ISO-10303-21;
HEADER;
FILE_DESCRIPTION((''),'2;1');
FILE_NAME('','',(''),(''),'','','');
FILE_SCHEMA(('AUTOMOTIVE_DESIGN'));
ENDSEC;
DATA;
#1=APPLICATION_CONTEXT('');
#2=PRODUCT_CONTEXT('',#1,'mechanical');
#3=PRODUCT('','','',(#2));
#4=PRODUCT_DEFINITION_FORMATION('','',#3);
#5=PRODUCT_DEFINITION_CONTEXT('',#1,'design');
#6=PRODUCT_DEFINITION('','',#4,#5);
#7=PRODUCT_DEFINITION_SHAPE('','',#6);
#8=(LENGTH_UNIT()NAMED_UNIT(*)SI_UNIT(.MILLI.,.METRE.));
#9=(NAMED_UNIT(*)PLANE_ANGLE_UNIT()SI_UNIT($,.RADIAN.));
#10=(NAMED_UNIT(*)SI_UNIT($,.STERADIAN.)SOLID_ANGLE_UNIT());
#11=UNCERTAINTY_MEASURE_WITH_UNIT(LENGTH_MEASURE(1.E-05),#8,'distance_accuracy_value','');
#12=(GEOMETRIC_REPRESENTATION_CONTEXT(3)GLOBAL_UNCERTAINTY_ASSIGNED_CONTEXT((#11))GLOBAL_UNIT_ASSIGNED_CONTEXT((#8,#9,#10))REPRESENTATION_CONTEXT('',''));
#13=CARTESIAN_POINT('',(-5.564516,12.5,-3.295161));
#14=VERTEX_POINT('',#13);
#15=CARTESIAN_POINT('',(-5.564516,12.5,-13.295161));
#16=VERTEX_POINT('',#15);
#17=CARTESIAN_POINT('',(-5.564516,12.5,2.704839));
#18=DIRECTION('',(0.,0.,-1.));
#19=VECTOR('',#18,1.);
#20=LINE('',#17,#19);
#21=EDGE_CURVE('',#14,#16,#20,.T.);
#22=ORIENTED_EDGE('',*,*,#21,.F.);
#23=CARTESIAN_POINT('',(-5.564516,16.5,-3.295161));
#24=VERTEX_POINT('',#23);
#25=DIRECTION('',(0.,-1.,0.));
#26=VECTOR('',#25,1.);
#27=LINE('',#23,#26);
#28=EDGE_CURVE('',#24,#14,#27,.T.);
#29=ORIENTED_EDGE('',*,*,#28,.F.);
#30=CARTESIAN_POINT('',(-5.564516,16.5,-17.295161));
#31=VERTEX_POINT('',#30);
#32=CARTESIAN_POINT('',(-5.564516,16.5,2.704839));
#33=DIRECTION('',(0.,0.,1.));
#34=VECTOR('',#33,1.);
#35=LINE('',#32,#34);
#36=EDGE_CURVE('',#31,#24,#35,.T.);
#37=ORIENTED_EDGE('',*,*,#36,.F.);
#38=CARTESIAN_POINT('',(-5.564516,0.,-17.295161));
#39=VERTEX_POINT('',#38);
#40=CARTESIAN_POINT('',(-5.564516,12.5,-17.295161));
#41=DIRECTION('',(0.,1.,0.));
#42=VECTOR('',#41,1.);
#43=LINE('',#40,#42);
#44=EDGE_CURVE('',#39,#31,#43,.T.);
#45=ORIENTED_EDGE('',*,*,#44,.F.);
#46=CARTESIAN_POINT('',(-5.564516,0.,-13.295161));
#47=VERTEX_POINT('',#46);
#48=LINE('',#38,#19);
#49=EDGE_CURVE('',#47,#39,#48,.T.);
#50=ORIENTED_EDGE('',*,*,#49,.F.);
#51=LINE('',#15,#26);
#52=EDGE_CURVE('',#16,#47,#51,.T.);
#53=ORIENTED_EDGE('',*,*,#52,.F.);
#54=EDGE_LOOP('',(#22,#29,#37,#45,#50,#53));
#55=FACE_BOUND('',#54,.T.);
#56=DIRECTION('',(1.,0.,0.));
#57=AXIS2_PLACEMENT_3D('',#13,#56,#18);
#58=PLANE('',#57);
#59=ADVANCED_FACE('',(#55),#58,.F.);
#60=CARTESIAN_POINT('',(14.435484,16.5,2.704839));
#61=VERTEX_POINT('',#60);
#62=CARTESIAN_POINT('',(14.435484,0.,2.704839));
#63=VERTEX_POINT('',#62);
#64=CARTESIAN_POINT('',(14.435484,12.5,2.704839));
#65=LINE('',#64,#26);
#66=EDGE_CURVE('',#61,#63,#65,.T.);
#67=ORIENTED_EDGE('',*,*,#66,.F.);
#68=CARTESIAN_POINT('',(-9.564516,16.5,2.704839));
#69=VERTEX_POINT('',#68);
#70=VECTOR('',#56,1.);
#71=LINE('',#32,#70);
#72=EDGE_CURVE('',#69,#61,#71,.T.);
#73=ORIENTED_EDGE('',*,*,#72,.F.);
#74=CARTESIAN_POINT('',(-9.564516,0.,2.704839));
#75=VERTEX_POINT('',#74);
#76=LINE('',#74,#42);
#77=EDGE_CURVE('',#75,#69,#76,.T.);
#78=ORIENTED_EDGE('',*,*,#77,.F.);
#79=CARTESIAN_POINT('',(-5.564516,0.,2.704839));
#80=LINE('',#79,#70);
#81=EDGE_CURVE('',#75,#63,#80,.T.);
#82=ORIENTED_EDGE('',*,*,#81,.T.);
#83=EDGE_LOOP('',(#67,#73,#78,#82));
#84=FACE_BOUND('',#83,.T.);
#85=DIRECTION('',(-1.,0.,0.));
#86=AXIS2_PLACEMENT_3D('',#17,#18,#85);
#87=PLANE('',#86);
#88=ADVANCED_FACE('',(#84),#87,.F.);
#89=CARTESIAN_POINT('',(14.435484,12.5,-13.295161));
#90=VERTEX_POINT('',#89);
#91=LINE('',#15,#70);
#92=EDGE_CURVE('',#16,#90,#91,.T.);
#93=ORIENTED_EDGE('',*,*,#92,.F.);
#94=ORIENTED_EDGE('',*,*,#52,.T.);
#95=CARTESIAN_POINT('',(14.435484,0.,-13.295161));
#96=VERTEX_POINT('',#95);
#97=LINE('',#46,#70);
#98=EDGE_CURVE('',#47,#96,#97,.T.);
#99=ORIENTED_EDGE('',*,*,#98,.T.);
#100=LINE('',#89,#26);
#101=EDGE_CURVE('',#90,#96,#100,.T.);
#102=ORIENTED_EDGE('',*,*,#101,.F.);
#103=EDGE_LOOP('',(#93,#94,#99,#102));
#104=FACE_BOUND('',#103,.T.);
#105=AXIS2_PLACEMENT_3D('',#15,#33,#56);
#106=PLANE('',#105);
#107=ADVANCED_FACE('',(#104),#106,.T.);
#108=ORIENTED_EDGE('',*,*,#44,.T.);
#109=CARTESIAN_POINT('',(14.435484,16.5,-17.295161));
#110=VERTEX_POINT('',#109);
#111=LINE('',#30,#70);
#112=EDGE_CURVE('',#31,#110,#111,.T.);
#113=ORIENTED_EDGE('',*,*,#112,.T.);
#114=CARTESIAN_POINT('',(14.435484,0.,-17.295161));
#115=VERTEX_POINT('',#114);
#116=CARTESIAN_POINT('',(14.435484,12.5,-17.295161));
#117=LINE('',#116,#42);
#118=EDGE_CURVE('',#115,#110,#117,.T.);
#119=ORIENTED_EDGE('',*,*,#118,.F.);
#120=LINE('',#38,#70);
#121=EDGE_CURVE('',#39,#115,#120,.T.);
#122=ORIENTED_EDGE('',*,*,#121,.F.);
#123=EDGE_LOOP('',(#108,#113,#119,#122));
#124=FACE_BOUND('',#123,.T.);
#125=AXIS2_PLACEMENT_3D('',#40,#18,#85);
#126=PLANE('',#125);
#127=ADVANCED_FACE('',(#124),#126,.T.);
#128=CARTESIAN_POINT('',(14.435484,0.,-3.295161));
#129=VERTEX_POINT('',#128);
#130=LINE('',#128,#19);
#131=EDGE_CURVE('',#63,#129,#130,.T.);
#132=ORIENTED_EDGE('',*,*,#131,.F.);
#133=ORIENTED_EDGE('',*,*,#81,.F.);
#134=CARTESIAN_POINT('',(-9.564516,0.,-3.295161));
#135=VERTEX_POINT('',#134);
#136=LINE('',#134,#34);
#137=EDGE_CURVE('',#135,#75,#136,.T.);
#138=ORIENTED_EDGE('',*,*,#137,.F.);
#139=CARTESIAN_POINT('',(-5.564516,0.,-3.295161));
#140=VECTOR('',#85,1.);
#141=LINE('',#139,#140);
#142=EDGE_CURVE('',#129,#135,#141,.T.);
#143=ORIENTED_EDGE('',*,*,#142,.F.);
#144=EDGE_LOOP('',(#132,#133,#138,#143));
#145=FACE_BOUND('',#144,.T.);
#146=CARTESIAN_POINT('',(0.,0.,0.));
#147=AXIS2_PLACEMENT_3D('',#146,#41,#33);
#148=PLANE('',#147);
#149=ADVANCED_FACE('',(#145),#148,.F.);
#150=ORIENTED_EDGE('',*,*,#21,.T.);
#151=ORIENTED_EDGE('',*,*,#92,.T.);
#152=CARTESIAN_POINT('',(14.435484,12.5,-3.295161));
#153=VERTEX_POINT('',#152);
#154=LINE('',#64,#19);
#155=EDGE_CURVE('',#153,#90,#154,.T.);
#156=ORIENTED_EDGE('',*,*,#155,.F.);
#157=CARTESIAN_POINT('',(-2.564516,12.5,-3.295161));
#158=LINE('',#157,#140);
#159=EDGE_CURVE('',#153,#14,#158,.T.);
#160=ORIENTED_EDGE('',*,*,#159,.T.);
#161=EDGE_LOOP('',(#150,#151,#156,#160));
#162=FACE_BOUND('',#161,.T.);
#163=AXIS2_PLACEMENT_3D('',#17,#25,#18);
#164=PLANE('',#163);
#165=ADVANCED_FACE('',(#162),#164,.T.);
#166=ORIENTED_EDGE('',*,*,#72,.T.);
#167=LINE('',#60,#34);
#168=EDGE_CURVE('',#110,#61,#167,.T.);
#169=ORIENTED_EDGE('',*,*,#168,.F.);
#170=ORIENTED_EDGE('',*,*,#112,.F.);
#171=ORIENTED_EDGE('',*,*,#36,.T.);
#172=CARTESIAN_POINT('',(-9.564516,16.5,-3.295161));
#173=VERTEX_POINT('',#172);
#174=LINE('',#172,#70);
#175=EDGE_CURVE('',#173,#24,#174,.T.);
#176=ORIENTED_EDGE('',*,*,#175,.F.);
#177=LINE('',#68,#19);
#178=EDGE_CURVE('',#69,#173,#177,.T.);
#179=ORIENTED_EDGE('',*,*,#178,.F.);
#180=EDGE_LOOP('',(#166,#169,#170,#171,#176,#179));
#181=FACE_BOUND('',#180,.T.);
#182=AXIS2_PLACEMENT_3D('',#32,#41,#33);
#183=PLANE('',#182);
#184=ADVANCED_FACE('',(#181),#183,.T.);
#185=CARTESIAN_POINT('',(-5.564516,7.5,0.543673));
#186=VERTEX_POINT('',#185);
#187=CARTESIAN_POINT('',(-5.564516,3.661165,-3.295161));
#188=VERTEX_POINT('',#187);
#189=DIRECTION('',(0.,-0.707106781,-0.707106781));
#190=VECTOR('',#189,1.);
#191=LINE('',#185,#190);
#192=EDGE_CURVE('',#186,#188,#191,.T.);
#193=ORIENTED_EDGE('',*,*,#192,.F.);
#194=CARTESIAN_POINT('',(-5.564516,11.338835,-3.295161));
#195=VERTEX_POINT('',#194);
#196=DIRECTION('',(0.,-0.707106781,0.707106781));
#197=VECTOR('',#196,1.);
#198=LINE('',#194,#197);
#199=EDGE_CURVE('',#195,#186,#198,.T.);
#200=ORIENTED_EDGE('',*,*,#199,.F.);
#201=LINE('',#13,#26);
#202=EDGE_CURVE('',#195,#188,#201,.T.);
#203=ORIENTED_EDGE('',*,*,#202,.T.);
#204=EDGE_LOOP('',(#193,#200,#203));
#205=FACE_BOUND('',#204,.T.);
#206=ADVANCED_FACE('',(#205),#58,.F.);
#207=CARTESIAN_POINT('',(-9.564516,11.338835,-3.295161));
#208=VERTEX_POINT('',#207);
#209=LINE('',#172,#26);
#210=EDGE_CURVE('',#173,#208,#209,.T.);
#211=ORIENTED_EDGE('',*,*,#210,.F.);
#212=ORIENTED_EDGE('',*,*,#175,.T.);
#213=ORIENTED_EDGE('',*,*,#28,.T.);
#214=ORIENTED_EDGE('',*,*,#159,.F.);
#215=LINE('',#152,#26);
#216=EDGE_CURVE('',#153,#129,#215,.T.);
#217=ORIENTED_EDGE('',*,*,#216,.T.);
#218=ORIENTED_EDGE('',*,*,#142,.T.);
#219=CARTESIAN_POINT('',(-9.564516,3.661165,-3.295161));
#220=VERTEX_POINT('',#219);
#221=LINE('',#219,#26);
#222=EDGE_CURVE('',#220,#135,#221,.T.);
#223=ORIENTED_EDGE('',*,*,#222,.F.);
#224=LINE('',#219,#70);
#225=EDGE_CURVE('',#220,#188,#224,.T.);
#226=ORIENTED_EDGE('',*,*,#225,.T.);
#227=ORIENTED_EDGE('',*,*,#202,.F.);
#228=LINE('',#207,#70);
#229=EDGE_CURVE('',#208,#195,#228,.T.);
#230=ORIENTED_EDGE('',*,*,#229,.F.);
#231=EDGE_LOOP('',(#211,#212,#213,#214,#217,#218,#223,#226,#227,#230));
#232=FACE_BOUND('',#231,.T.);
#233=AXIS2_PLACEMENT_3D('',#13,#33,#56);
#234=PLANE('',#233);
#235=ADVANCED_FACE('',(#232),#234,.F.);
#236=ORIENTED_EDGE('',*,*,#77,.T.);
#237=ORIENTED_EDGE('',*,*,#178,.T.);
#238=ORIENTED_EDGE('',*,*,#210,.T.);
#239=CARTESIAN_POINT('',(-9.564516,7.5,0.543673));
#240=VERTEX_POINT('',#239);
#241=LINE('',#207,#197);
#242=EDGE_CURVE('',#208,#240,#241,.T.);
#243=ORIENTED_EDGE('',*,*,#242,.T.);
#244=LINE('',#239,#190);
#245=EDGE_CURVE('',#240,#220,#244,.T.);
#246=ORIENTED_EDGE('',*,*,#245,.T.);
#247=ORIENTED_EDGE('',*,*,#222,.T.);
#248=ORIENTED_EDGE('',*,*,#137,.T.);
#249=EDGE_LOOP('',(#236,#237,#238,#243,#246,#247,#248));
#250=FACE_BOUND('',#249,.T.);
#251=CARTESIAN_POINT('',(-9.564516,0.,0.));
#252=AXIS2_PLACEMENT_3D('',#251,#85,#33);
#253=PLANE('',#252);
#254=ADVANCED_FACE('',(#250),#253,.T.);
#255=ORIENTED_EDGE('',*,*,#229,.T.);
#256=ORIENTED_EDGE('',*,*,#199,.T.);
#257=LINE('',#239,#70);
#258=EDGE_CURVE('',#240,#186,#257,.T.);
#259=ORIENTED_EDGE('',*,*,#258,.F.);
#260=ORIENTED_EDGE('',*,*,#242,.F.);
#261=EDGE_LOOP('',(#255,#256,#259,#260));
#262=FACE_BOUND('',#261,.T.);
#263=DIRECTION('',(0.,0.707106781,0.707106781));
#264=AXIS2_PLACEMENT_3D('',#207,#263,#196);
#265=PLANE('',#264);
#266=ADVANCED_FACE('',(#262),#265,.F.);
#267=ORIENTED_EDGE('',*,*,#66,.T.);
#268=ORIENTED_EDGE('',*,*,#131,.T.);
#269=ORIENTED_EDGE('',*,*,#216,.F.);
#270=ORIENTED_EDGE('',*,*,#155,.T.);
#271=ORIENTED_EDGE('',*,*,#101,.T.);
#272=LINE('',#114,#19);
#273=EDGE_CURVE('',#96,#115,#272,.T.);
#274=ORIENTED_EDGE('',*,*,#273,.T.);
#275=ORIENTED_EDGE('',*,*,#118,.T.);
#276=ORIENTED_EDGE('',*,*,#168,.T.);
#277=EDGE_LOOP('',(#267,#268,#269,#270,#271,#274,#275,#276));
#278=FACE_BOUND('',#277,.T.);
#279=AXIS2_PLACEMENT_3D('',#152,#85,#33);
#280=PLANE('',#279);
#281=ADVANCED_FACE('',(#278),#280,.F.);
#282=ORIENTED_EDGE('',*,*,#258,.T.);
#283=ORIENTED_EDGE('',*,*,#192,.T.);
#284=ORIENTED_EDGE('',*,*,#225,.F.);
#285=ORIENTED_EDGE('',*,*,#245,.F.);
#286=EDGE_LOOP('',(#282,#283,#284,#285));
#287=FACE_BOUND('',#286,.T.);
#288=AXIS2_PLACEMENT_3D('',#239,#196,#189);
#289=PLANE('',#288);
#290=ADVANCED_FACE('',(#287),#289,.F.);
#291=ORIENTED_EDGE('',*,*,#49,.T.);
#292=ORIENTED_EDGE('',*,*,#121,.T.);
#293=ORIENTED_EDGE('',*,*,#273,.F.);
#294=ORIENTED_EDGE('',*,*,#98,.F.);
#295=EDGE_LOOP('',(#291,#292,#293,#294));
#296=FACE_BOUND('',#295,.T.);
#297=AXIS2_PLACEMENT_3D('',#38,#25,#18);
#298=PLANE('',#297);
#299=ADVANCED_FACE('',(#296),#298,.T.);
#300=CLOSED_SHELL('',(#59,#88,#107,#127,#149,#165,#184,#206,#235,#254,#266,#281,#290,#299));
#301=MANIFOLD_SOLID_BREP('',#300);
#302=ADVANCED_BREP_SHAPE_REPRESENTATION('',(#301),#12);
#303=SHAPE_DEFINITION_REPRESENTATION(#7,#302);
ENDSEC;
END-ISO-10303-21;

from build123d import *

# Parameters (mm, degrees)
BOSS_EXTRUDE1_DEPTH = 12.5
BOSS_EXTRUDE4_DEPTH = 20
BOSS_EXTRUDE5_DEPTH = 4


with BuildPart() as part:
    # Sketch1 → Boss-Extrude1 (new body)
    with BuildSketch(Plane(origin=(0, 0, 0), x_dir=(1, 0, 0), z_dir=(0, 1, 0))):
        Polygon((-2.564516129, 3.29516129), (14.435483871, 3.29516129), (14.435483871, -2.70483871), (-5.564516129, -2.70483871), (-5.564516129, 3.29516129), (-4.064516129, 3.29516129), align=None)
    extrude(amount=BOSS_EXTRUDE1_DEPTH)

    # Sketch2 → Boss-Extrude4 (add)
    with BuildSketch(Plane(origin=(14.435483871, 0, 0), x_dir=(0, 0, -1), z_dir=(1, 0, 0))):
        Polygon((-2.70483871, 12.5), (13.29516129, 12.5), (13.29516129, 0), (17.29516129, 0), (17.29516129, 12.5), (17.29516129, 16.5), (-2.70483871, 16.5), align=None)
    extrude(amount=-BOSS_EXTRUDE4_DEPTH)

    # Sketch5 → Boss-Extrude5 (add)
    with BuildSketch(Plane.ZY.offset(5.564516129)):
        Polygon((-3.29516129, 0), (2.70483871, 0), (2.70483871, 16.5), (-3.29516129, 16.5), (-3.29516129, 11.338834765), (0.543673475, 7.5), (-3.29516129, 3.661165235), align=None)
    extrude(amount=BOSS_EXTRUDE5_DEPTH)


solid = part.part
